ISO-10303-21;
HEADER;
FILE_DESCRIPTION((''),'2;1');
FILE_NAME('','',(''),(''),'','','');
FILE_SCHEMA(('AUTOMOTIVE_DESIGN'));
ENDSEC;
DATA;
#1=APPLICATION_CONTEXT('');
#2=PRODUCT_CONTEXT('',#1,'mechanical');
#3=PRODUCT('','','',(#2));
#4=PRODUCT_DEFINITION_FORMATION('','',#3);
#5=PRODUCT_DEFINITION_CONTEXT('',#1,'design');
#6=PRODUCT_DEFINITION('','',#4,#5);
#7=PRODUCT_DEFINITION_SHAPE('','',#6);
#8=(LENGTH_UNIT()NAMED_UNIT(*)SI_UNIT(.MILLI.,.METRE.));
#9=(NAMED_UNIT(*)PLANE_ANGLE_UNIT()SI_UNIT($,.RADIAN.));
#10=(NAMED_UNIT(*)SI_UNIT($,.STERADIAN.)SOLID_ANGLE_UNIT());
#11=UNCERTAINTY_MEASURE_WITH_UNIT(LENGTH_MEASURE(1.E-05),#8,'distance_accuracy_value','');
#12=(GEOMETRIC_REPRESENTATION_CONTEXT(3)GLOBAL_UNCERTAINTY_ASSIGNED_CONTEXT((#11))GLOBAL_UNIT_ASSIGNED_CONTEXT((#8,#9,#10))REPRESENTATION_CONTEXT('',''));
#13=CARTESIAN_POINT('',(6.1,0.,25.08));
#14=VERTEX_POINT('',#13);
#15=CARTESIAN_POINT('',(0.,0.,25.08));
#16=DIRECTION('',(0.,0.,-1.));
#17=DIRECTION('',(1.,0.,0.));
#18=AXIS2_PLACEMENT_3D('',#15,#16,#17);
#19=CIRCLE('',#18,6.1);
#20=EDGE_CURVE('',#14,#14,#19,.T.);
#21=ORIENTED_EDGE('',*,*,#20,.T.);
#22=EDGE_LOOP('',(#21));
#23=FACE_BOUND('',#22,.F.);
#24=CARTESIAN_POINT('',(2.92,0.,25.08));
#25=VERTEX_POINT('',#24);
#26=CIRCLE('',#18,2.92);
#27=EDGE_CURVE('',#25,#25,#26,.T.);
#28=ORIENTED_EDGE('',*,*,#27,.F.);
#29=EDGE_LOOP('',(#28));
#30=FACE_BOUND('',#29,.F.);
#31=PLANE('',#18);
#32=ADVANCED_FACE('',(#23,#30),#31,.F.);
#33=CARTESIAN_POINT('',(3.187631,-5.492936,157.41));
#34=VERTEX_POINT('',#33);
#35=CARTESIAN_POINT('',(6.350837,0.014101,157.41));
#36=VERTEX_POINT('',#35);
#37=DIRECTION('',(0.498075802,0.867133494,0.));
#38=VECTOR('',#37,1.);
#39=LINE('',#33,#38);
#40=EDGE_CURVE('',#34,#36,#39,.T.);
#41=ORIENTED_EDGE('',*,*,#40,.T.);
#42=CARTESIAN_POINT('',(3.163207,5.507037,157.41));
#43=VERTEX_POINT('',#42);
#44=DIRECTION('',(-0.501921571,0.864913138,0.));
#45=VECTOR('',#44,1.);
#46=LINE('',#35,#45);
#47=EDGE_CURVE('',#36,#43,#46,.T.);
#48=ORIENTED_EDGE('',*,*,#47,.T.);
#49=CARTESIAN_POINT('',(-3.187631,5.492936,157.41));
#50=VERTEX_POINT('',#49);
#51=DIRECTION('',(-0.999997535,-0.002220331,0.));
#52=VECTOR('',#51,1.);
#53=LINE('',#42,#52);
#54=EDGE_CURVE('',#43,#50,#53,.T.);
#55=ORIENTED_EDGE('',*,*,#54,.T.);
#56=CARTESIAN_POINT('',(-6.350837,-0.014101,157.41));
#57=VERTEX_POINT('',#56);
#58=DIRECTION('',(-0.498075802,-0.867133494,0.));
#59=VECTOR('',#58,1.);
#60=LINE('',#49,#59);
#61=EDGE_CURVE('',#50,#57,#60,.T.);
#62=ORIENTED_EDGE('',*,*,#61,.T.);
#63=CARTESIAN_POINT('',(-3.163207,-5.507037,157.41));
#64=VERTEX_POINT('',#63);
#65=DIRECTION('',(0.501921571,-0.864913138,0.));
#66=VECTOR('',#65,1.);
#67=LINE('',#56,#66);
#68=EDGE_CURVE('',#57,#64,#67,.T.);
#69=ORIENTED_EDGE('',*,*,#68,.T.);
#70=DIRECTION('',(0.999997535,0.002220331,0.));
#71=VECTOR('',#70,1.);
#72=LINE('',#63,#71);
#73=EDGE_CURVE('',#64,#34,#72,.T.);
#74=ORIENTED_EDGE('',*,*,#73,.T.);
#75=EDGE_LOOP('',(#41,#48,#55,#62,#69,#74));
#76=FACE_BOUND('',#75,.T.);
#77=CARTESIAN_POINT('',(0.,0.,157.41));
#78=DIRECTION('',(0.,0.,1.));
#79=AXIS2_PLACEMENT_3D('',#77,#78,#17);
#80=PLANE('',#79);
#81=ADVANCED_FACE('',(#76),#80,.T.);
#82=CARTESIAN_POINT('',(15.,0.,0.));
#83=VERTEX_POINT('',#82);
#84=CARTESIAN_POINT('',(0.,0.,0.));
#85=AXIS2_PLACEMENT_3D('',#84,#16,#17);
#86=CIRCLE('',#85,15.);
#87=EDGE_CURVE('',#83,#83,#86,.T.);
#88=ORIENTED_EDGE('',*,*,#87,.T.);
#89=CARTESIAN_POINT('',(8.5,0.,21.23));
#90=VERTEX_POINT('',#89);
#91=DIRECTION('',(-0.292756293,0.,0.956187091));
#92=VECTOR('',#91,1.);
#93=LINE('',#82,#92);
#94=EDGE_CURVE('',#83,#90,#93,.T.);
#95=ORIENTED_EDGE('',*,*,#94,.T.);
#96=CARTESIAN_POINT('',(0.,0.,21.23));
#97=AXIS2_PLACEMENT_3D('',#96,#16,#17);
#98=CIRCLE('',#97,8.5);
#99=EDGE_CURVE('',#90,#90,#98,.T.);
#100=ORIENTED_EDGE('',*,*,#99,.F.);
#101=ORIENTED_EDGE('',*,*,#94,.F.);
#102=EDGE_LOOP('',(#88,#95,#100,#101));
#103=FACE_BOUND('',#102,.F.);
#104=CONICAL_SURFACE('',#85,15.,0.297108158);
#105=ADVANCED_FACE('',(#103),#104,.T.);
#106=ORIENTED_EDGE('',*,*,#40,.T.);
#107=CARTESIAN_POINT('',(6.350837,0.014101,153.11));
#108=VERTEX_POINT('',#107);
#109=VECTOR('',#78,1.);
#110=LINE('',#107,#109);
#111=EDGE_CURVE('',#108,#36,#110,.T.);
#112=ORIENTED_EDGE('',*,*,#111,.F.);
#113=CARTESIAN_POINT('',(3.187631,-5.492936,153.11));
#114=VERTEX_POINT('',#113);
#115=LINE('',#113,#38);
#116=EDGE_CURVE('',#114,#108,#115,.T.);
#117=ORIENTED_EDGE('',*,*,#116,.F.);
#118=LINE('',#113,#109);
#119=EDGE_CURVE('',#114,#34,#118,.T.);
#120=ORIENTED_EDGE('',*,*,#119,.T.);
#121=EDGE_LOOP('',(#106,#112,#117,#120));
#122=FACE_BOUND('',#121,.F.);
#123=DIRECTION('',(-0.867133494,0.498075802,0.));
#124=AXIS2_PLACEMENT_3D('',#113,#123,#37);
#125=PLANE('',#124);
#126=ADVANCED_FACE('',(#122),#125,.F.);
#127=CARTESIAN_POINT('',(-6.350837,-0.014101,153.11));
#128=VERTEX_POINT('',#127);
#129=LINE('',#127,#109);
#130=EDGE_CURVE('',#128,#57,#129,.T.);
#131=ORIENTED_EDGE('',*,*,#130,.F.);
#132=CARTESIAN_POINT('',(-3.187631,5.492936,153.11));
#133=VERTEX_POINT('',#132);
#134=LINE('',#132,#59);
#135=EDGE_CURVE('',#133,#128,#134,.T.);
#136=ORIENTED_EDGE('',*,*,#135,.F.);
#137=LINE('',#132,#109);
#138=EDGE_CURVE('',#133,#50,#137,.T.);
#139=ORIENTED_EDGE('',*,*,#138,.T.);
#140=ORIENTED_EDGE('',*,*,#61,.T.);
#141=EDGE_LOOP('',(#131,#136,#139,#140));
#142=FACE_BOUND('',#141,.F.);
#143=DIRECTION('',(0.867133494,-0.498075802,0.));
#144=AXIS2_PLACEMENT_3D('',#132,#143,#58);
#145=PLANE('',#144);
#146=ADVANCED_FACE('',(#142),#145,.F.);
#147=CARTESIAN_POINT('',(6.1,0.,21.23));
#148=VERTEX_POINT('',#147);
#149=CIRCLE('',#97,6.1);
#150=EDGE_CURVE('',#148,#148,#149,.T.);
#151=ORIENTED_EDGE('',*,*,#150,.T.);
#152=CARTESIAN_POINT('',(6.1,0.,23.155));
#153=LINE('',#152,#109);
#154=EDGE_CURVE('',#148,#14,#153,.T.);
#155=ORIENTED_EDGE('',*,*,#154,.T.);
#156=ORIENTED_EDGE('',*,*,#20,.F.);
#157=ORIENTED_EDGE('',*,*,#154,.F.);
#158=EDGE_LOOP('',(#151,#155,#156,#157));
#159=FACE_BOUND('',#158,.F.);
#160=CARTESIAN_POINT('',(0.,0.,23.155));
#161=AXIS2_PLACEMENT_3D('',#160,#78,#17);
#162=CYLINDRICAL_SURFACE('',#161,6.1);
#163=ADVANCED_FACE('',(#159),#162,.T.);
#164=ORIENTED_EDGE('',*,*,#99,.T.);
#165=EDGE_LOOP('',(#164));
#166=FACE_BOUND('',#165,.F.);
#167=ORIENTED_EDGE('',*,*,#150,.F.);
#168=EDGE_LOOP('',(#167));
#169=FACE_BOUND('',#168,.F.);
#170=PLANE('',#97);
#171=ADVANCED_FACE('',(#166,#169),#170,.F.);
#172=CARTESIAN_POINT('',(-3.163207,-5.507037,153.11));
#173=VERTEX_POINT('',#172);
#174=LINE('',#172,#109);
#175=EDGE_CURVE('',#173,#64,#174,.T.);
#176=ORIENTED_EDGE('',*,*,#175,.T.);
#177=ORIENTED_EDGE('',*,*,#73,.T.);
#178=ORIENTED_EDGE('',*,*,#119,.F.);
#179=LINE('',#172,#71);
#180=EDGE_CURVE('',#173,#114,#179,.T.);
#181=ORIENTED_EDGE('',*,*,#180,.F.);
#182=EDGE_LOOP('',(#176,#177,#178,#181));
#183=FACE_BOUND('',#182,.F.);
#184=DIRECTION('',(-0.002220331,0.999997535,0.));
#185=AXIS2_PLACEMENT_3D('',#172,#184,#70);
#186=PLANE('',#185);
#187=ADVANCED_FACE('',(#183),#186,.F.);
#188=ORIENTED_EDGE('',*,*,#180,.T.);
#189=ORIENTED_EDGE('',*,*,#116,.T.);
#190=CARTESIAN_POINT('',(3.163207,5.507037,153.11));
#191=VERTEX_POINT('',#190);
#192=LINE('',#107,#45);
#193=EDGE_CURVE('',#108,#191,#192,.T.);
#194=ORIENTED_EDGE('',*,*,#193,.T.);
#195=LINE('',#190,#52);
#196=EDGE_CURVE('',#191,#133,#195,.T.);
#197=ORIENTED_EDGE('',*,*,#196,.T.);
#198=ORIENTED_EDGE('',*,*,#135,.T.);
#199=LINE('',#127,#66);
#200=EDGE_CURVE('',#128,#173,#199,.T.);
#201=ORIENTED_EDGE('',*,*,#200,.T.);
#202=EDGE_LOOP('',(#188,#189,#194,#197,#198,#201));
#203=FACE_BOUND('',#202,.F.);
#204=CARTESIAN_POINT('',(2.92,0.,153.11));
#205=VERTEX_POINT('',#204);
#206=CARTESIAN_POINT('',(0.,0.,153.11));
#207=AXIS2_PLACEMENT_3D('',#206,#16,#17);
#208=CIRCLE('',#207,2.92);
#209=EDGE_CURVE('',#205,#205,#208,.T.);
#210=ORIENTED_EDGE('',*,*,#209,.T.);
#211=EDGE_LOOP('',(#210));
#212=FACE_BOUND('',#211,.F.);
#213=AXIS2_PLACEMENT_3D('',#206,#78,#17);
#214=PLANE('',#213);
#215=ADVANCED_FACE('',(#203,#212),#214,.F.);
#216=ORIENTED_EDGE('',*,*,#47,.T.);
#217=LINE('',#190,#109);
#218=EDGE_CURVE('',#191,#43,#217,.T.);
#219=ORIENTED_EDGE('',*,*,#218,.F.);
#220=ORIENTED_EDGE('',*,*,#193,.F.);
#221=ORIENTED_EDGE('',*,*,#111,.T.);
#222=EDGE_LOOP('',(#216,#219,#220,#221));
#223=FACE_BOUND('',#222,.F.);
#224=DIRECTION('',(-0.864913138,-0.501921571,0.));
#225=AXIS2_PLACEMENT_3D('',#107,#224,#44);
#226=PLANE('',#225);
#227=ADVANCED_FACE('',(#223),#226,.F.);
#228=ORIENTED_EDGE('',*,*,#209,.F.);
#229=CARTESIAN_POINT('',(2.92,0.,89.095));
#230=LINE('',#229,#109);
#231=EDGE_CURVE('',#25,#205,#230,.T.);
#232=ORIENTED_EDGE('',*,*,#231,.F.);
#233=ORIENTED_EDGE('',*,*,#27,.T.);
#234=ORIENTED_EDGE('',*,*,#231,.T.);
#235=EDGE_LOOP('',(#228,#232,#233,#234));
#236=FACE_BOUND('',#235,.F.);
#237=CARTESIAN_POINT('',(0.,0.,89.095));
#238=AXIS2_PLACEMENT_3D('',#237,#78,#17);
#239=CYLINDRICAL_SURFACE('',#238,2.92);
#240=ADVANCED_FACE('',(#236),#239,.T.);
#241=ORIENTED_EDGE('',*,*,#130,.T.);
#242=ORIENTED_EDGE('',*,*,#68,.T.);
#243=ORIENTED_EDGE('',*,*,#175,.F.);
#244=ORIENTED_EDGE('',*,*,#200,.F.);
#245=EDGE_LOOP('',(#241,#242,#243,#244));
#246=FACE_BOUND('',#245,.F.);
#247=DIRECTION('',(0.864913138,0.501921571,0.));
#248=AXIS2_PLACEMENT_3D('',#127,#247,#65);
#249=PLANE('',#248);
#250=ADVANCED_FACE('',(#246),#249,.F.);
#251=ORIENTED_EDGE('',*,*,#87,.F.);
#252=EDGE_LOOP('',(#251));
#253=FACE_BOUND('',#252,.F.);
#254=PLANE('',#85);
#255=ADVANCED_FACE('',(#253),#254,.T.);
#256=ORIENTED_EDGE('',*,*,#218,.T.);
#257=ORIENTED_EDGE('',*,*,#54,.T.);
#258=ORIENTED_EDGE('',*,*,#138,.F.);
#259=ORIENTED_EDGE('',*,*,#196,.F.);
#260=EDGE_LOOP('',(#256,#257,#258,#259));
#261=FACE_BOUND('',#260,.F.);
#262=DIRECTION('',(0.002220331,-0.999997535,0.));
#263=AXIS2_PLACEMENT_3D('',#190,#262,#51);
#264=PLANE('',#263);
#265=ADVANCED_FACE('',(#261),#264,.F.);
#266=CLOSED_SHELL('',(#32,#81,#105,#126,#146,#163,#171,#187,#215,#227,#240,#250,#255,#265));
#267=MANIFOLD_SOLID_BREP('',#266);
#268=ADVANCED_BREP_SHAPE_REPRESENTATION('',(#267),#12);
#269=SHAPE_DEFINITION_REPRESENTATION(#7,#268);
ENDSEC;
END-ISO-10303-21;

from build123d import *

# Parameters (mm, degrees)
F0_W     = 2.92
F0_H     = 3.85
F0_W_2   = 3.18
F0_H_2   = 128.03
F3_DEPTH = 4.3


with BuildPart() as f1:
    # F0 (on Front) → F1 (revolve)
    with BuildSketch(Plane.XZ):
        Polygon((0, 21.23), (0, 0), (15, 0), (8.5, 21.23), (6.1, 21.23), (2.92, 21.23), align=None)
        with Locations((1.46, 23.155)):
            Rectangle(F0_W, F0_H)
        with Locations((4.51, 23.155)):
            Rectangle(F0_W_2, F0_H)
        with Locations((1.46, 89.095)):
            Rectangle(F0_W, F0_H_2)
    revolve(axis=Axis((0, 0, 87.17), (0, 0, -1)))

    # F2 (on face) → F3 (join)
    with BuildSketch(Plane.XY.offset(153.11)):
        Polygon((6.350837, 0.014101), (3.163207, 5.507037), (-3.187631, 5.492936), (-6.350837, -0.014101), (-3.163207, -5.507037), (3.187631, -5.492936), align=None)
    extrude(amount=F3_DEPTH)


solid = f1.part
